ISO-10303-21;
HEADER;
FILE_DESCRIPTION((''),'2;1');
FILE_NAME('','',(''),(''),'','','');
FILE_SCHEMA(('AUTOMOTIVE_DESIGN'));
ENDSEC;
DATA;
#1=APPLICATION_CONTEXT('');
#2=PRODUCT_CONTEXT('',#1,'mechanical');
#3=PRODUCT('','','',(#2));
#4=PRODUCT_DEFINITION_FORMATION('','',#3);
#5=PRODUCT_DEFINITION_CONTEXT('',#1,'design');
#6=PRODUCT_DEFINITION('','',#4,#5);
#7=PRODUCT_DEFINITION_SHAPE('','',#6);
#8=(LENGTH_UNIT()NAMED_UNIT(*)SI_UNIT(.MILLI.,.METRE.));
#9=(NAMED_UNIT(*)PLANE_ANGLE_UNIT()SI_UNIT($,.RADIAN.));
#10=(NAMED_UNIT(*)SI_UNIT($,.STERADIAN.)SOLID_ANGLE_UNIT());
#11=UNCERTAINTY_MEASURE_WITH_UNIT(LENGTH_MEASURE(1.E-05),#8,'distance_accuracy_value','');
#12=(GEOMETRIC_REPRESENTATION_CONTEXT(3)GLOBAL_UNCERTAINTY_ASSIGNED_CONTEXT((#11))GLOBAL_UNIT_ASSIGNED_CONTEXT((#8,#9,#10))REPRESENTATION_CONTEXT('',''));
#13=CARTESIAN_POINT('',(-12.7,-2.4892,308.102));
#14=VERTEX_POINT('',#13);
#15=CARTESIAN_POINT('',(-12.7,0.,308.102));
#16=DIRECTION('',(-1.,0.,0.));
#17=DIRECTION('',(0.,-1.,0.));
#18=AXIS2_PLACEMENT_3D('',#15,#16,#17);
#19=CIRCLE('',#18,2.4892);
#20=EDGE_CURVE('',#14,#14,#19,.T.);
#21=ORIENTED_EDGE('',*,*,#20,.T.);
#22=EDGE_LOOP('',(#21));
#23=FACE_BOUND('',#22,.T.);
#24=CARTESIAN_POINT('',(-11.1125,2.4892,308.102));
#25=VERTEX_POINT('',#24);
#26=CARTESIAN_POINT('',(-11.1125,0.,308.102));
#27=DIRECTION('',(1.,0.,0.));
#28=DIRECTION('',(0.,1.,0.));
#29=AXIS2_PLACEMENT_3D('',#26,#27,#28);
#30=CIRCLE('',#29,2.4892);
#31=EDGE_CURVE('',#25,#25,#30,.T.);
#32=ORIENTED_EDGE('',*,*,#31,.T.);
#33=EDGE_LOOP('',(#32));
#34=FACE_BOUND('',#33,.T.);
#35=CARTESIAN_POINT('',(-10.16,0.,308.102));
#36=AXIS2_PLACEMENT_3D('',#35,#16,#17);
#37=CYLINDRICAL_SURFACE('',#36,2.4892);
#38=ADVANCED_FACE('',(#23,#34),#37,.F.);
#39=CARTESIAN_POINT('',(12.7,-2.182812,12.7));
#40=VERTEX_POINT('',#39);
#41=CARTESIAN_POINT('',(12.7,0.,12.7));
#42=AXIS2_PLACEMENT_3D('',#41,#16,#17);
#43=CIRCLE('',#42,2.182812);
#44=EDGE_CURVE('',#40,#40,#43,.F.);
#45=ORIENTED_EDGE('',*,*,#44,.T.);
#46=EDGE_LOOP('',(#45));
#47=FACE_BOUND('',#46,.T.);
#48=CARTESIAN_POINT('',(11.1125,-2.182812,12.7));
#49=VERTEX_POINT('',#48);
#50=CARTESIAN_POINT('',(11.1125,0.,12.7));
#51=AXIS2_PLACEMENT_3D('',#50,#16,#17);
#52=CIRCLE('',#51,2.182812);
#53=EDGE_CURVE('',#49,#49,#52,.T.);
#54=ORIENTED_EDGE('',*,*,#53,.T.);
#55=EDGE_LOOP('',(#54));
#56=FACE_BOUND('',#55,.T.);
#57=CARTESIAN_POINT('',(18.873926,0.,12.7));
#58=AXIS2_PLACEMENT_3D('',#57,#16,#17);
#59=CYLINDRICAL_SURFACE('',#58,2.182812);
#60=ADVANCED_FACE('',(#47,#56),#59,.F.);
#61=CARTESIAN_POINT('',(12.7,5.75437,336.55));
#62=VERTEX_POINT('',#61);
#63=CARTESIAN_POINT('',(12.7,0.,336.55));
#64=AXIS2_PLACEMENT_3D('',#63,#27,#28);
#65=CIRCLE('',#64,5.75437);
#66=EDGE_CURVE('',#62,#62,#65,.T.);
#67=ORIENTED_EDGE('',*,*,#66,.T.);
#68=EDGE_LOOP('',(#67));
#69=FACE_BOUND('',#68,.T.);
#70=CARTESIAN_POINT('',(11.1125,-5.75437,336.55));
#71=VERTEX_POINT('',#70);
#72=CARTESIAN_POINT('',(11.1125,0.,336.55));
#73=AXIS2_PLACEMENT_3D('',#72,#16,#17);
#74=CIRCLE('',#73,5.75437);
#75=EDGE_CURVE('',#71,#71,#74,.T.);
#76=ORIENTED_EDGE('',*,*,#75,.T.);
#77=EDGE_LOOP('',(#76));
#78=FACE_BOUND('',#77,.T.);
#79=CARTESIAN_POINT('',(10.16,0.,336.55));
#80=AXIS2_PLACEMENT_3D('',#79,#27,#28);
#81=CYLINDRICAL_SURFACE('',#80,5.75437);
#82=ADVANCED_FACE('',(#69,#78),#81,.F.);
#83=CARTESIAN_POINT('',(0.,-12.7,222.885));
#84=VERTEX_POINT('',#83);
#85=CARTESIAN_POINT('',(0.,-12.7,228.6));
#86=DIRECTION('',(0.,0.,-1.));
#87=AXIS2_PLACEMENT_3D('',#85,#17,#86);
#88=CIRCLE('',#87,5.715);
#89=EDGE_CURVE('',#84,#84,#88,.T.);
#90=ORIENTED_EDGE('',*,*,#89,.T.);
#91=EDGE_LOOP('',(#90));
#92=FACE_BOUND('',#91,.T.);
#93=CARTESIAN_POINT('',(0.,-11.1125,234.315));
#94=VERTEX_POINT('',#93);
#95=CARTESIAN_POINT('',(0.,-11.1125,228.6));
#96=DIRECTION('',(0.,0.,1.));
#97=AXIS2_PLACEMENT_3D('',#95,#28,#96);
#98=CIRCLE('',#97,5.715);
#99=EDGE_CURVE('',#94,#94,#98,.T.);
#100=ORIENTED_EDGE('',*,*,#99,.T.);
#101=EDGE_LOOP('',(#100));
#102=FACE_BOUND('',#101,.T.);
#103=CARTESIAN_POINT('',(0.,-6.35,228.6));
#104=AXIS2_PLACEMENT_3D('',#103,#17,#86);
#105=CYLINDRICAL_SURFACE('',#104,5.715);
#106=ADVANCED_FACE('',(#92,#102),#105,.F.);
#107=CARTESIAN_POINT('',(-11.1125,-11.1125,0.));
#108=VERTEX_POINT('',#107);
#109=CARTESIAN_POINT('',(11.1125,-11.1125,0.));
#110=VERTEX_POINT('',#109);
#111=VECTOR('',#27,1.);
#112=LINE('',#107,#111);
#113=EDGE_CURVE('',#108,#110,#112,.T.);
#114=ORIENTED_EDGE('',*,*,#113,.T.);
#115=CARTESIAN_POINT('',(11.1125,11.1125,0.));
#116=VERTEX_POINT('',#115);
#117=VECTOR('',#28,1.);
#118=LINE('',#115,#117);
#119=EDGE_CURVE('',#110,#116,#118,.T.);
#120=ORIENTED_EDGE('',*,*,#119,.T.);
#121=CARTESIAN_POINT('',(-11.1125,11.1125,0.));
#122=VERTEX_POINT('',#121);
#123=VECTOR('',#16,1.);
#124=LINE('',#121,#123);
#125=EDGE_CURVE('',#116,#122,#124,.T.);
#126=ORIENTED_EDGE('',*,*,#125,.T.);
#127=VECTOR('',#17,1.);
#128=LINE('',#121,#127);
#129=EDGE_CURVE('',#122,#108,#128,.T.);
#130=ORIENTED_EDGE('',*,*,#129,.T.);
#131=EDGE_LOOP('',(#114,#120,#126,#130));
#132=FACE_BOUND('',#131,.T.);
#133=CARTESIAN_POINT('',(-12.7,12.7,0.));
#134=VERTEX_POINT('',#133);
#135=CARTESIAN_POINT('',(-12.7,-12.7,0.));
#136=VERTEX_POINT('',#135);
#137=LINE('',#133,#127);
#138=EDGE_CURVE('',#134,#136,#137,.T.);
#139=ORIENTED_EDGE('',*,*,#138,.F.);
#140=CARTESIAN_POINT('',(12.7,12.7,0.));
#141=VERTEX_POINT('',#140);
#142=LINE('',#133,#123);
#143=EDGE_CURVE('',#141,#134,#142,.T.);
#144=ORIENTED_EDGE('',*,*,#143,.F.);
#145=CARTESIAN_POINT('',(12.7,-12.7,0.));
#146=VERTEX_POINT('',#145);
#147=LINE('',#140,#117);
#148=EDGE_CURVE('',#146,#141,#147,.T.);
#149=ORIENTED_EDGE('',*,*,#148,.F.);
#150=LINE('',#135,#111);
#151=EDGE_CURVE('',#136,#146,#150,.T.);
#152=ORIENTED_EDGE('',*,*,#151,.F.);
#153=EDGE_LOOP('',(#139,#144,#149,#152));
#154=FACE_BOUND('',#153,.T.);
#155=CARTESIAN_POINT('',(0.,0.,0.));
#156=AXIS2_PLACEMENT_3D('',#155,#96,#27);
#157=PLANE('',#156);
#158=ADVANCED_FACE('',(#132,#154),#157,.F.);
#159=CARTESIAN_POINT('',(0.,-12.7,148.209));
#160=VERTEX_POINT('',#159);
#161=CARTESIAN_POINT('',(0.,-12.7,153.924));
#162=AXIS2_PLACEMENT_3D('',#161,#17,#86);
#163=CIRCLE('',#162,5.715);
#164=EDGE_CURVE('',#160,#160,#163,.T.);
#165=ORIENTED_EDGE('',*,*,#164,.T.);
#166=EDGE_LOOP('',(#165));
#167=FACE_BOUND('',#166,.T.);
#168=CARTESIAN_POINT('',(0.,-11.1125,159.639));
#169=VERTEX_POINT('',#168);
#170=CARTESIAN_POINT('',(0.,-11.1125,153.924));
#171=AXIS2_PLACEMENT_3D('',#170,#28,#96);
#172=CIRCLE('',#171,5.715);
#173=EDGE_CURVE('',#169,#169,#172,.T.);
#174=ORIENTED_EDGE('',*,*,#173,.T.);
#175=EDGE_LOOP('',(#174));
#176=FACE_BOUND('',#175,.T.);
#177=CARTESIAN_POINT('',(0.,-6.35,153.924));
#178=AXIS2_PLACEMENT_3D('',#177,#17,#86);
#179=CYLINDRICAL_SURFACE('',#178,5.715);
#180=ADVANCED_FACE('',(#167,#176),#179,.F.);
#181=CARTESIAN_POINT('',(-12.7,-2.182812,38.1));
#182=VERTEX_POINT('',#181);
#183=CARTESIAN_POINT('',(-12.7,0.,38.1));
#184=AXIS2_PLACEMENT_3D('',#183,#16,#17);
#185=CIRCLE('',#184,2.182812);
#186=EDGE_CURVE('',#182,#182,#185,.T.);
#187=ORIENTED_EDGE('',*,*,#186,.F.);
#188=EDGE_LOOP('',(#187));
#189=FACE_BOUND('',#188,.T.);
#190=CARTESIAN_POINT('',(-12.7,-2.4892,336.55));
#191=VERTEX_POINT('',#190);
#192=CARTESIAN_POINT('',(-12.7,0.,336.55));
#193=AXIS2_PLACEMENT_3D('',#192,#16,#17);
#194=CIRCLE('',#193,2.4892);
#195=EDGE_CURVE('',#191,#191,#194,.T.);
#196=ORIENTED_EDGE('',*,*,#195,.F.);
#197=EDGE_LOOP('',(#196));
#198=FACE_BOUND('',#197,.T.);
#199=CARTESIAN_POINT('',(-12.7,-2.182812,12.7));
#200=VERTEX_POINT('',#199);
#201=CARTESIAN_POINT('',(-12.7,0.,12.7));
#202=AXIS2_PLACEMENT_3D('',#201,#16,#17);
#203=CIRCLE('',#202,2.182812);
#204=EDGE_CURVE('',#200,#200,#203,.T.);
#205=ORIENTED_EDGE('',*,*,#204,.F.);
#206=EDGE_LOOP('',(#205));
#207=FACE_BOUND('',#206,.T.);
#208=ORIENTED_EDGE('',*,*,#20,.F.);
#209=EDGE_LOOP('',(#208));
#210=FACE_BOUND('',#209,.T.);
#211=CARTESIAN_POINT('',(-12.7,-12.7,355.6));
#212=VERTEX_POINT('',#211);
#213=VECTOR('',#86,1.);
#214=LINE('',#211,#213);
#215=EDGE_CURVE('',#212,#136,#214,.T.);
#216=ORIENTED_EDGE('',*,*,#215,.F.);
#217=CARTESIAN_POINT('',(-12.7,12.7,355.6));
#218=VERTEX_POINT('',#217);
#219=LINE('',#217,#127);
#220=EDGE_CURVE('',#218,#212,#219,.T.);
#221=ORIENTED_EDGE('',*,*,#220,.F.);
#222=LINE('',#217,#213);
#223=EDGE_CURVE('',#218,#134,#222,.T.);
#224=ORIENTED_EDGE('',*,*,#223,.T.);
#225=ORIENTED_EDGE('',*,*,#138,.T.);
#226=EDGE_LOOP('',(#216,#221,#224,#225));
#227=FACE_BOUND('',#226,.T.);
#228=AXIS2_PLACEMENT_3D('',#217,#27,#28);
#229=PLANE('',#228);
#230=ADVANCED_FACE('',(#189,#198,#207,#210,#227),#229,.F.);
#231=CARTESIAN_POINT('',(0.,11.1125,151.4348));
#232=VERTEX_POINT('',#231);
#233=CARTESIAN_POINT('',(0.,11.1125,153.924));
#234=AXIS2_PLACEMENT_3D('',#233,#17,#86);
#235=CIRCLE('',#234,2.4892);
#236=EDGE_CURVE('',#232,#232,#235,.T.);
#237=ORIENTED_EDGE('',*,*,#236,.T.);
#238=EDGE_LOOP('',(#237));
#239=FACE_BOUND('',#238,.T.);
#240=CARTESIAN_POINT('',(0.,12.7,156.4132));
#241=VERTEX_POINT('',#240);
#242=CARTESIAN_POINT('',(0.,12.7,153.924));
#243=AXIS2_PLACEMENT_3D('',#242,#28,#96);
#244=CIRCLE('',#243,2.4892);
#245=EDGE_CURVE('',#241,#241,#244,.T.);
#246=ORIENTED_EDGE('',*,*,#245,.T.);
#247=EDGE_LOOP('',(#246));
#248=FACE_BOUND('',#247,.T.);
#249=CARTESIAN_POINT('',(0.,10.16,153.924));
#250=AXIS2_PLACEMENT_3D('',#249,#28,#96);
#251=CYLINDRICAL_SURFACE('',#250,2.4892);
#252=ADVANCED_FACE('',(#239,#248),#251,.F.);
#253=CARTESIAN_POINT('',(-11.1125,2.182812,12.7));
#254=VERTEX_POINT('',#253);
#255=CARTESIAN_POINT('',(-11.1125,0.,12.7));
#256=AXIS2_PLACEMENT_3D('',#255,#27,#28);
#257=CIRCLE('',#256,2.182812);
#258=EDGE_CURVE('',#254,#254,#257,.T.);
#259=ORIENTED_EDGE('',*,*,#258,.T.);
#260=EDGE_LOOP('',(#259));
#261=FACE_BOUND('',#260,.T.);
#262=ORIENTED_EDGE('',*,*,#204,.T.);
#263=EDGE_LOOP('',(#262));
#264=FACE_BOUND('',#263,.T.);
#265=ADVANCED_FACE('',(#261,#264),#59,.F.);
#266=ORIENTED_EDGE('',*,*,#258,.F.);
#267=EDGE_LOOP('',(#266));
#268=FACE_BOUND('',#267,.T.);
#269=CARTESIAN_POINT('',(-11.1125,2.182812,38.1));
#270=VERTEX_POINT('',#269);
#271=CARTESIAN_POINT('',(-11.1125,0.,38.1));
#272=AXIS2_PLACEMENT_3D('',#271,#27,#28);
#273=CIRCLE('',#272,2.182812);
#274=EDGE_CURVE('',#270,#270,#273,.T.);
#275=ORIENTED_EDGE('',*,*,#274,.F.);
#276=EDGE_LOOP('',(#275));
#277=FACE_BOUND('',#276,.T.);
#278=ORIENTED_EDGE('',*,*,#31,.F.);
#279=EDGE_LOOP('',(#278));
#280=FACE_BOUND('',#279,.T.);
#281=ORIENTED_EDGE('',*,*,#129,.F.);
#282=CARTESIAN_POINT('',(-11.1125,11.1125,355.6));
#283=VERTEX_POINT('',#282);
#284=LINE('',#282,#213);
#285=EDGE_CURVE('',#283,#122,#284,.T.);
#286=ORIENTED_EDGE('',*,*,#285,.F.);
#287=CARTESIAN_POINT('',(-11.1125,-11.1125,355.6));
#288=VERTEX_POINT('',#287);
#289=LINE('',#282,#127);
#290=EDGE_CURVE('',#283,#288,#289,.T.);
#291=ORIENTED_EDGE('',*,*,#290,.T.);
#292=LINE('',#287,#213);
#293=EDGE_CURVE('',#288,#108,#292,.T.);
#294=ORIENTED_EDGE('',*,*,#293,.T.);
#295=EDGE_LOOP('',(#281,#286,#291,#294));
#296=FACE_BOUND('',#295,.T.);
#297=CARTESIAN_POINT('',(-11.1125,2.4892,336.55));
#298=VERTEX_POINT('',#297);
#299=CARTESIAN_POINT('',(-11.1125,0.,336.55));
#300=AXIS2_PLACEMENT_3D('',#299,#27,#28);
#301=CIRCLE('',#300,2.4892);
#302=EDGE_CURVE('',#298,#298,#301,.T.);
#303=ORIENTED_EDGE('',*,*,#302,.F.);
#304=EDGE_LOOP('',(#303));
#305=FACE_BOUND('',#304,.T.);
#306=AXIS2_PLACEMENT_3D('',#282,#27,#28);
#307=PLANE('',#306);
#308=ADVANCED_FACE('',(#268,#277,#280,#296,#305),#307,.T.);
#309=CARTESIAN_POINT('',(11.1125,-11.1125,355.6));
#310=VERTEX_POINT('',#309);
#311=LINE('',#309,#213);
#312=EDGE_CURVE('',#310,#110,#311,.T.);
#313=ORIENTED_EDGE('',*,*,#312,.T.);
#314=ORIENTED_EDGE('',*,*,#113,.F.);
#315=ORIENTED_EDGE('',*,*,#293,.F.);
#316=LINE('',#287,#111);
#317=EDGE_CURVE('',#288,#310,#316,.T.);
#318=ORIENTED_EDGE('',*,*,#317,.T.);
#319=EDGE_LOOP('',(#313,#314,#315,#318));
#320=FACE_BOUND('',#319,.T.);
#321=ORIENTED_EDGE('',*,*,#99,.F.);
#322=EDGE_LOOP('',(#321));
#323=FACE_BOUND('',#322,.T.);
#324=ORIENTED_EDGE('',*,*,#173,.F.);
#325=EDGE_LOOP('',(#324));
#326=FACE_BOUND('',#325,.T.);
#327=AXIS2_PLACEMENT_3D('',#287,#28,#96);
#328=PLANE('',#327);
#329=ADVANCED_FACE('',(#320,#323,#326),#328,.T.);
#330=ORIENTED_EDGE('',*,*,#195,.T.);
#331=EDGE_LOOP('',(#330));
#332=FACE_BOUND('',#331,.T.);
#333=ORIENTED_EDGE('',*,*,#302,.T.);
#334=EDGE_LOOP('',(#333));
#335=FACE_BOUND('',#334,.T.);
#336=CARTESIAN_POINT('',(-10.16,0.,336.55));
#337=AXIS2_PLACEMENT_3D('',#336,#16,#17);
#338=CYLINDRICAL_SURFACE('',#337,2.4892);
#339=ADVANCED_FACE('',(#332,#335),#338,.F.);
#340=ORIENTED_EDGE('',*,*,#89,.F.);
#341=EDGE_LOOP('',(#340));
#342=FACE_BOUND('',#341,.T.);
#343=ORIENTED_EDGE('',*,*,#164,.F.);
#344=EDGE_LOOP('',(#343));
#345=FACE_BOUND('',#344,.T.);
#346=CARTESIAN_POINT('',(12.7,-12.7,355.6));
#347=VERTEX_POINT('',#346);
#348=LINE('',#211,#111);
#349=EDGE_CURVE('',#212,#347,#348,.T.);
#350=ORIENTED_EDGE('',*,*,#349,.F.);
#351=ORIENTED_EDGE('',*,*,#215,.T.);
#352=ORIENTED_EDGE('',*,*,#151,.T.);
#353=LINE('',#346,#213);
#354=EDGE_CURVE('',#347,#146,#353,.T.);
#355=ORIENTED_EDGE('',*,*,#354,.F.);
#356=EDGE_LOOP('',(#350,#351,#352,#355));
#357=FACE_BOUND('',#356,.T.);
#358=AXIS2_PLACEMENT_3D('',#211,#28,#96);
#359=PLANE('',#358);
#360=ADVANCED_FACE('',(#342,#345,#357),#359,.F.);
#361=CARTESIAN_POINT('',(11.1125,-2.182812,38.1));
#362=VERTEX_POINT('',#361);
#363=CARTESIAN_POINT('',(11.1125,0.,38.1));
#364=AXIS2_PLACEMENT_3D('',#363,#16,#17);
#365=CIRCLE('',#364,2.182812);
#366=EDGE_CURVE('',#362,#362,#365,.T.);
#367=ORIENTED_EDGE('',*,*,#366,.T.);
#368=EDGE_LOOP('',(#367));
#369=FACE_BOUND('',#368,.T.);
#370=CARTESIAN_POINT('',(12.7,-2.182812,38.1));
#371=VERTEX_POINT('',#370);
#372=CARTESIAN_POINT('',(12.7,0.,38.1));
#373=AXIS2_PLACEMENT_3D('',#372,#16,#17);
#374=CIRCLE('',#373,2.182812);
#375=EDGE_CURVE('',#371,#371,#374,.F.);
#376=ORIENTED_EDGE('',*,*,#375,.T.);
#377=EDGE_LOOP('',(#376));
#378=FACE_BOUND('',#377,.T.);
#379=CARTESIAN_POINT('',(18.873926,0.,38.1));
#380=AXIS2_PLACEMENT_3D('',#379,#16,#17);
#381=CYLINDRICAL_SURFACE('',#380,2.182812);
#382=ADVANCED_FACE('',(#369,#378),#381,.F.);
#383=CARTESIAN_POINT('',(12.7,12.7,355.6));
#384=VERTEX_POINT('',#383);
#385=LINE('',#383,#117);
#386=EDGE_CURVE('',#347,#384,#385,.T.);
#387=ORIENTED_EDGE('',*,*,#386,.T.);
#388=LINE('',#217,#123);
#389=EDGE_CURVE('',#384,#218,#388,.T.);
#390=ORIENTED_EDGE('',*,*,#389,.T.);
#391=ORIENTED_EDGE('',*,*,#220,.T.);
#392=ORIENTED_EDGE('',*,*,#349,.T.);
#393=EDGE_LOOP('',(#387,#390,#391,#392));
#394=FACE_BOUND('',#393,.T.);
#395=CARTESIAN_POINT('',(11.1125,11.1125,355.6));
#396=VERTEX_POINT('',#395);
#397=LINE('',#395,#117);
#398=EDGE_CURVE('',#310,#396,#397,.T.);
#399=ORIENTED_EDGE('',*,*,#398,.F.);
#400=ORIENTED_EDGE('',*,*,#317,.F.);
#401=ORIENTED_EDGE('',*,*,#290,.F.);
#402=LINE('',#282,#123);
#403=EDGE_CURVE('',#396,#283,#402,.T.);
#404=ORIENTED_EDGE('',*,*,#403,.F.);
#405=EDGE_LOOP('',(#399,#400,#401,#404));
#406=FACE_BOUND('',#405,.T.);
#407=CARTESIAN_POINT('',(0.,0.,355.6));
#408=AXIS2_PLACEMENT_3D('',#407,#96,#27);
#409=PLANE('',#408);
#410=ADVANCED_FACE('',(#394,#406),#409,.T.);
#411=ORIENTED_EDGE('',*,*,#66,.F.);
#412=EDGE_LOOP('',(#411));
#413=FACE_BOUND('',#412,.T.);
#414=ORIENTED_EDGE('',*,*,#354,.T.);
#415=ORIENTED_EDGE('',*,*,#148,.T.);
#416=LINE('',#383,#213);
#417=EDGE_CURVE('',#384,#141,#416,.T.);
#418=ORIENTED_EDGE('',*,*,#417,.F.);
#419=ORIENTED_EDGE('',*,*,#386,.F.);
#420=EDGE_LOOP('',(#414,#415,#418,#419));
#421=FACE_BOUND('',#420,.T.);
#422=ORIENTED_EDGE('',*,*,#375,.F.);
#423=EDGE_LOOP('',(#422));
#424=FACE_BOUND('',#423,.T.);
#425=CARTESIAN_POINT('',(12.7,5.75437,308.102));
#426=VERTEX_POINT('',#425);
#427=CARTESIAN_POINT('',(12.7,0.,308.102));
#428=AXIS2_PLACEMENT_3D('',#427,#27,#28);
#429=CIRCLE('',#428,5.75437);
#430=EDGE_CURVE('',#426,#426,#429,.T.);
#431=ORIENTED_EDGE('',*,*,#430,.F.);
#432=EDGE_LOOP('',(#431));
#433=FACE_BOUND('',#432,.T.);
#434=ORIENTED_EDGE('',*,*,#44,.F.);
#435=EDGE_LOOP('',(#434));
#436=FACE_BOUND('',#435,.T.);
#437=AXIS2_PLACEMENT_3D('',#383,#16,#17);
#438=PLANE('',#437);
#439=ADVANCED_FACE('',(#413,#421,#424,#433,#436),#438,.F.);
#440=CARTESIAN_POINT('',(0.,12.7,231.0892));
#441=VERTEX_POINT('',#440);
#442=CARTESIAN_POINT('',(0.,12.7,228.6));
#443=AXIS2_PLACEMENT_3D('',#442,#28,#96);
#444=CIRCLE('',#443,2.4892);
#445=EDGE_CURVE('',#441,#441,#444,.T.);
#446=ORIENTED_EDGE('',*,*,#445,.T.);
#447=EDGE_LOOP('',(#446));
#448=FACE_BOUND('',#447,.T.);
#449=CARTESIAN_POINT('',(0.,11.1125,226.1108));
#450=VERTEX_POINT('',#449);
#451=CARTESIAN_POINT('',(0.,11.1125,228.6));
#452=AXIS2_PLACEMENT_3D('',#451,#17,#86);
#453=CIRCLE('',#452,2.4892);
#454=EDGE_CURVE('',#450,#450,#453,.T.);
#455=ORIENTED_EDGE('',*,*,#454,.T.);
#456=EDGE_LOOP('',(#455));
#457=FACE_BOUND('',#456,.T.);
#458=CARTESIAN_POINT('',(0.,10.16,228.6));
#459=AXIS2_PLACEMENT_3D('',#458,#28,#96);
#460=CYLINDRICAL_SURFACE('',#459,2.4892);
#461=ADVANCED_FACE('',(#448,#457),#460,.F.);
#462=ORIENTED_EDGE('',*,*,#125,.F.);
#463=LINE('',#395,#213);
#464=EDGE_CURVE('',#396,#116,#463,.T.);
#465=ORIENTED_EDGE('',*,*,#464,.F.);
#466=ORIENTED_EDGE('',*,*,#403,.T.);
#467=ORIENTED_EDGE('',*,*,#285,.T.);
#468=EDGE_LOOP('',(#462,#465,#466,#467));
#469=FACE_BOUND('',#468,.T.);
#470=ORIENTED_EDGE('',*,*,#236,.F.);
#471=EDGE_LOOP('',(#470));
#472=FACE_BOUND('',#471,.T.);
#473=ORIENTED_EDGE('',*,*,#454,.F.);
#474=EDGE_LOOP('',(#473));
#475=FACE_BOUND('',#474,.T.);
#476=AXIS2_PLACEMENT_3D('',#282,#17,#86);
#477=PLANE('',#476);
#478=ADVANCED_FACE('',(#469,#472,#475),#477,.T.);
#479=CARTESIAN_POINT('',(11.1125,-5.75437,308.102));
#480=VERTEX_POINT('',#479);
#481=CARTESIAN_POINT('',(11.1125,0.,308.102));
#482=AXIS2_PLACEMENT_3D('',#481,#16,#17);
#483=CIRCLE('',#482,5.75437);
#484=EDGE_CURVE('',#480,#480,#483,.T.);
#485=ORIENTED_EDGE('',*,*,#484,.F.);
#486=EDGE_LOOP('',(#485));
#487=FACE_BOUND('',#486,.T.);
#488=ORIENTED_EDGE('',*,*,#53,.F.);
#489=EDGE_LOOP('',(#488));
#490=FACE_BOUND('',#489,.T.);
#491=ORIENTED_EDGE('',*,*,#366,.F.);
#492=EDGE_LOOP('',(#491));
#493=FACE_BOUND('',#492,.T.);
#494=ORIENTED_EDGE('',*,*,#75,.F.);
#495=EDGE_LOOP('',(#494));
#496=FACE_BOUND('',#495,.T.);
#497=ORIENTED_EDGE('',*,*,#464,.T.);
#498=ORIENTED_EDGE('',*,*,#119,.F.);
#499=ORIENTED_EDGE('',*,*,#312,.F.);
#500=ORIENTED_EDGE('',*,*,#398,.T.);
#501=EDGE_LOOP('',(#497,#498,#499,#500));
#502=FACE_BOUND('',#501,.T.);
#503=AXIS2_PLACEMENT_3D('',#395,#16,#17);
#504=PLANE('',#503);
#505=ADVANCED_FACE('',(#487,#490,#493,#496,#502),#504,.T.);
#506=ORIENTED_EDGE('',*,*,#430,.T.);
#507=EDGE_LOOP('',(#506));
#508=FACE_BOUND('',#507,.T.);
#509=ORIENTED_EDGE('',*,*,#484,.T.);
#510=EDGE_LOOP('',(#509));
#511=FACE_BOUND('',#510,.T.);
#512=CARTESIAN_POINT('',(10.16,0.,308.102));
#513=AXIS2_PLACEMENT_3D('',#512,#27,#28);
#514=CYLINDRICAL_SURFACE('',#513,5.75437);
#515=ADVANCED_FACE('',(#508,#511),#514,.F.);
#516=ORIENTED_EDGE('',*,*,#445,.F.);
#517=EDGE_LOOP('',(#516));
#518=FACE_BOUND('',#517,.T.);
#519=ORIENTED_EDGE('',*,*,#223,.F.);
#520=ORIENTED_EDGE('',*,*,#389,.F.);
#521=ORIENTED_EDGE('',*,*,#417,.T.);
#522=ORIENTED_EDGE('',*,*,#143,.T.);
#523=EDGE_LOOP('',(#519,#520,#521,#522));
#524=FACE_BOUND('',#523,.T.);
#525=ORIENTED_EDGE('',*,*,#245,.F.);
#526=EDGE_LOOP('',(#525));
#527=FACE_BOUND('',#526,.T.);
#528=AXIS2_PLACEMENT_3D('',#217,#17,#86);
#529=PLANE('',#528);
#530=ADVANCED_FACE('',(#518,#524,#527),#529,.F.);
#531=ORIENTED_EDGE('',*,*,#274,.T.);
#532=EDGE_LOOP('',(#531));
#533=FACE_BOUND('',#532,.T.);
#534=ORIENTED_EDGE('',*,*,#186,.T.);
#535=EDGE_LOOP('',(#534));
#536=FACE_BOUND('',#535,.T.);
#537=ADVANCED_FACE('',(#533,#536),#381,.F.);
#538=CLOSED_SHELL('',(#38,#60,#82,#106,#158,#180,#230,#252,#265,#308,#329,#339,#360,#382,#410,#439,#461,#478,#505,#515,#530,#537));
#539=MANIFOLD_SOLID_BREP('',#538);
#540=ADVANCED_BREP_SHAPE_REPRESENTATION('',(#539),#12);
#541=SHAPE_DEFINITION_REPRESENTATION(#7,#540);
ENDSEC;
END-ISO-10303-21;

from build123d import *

# Parameters (mm, degrees)
SKETCH1_W           = 25.4
SKETCH1_H           = 25.4
SKETCH1_W_2         = 22.225
SKETCH1_H_2         = 22.225
BOSS_EXTRUDE1_DEPTH = 355.6
SKETCH5_R           = 2.4892
CUT_EXTRUDE2_DEPTH  = 2.54
SKETCH6_R           = 5.715
CUT_EXTRUDE3_DEPTH  = 6.35
SKETCH7_R           = 2.4892
CUT_EXTRUDE4_DEPTH  = 2.54
SKETCH8_R           = 5.75437
CUT_EXTRUDE5_DEPTH  = 2.54
SKETCH10_R          = 2.1828125
CUT_EXTRUDE7_DEPTH  = 25.4


with BuildPart() as part:
    # Sketch1 → Boss-Extrude1 (new body)
    with BuildSketch(Plane.XY):
        Rectangle(SKETCH1_W, SKETCH1_H)
        Rectangle(SKETCH1_W_2, SKETCH1_H_2, mode=Mode.SUBTRACT)
    extrude(amount=BOSS_EXTRUDE1_DEPTH)

    # Sketch5 → Cut-Extrude2 (cut)
    with BuildSketch(Plane.ZY.offset(12.7)):
        with Locations((336.55, 0)):
            Circle(SKETCH5_R)
        with Locations((308.102, 0)):
            Circle(SKETCH5_R)
    extrude(amount=-CUT_EXTRUDE2_DEPTH, mode=Mode.SUBTRACT)

    # Sketch6 → Cut-Extrude3 (cut)
    with BuildSketch(Plane.XZ.offset(12.7)):
        with Locations((0, 228.6)):
            Circle(SKETCH6_R)
        with Locations((0, 153.924)):
            Circle(SKETCH6_R)
    extrude(amount=-CUT_EXTRUDE3_DEPTH, mode=Mode.SUBTRACT)

    # Sketch7 → Cut-Extrude4 (cut)
    with BuildSketch(Plane(origin=(0, 12.7, 0), x_dir=(1, 0, 0), z_dir=(0, 1, 0))):
        with Locations((0, -228.6)):
            Circle(SKETCH7_R)
        with Locations((0, -153.924)):
            Circle(SKETCH7_R)
    extrude(amount=-CUT_EXTRUDE4_DEPTH, mode=Mode.SUBTRACT)

    # Sketch8 → Cut-Extrude5 (cut)
    with BuildSketch(Plane(origin=(12.7, 0, 0), x_dir=(0, 0, -1), z_dir=(1, 0, 0))):
        with Locations((-336.55, 0)):
            Circle(SKETCH8_R)
        with Locations((-308.102, 0)):
            Circle(SKETCH8_R)
    extrude(amount=-CUT_EXTRUDE5_DEPTH, mode=Mode.SUBTRACT)

    # Sketch10 → Cut-Extrude7 (cut)
    with BuildSketch(Plane.ZY.offset(12.7)):
        with Locations((12.7, 0)):
            Circle(SKETCH10_R)
        with Locations((38.1, 0)):
            Circle(SKETCH10_R)
    extrude(amount=-CUT_EXTRUDE7_DEPTH, mode=Mode.SUBTRACT)


solid = part.part
